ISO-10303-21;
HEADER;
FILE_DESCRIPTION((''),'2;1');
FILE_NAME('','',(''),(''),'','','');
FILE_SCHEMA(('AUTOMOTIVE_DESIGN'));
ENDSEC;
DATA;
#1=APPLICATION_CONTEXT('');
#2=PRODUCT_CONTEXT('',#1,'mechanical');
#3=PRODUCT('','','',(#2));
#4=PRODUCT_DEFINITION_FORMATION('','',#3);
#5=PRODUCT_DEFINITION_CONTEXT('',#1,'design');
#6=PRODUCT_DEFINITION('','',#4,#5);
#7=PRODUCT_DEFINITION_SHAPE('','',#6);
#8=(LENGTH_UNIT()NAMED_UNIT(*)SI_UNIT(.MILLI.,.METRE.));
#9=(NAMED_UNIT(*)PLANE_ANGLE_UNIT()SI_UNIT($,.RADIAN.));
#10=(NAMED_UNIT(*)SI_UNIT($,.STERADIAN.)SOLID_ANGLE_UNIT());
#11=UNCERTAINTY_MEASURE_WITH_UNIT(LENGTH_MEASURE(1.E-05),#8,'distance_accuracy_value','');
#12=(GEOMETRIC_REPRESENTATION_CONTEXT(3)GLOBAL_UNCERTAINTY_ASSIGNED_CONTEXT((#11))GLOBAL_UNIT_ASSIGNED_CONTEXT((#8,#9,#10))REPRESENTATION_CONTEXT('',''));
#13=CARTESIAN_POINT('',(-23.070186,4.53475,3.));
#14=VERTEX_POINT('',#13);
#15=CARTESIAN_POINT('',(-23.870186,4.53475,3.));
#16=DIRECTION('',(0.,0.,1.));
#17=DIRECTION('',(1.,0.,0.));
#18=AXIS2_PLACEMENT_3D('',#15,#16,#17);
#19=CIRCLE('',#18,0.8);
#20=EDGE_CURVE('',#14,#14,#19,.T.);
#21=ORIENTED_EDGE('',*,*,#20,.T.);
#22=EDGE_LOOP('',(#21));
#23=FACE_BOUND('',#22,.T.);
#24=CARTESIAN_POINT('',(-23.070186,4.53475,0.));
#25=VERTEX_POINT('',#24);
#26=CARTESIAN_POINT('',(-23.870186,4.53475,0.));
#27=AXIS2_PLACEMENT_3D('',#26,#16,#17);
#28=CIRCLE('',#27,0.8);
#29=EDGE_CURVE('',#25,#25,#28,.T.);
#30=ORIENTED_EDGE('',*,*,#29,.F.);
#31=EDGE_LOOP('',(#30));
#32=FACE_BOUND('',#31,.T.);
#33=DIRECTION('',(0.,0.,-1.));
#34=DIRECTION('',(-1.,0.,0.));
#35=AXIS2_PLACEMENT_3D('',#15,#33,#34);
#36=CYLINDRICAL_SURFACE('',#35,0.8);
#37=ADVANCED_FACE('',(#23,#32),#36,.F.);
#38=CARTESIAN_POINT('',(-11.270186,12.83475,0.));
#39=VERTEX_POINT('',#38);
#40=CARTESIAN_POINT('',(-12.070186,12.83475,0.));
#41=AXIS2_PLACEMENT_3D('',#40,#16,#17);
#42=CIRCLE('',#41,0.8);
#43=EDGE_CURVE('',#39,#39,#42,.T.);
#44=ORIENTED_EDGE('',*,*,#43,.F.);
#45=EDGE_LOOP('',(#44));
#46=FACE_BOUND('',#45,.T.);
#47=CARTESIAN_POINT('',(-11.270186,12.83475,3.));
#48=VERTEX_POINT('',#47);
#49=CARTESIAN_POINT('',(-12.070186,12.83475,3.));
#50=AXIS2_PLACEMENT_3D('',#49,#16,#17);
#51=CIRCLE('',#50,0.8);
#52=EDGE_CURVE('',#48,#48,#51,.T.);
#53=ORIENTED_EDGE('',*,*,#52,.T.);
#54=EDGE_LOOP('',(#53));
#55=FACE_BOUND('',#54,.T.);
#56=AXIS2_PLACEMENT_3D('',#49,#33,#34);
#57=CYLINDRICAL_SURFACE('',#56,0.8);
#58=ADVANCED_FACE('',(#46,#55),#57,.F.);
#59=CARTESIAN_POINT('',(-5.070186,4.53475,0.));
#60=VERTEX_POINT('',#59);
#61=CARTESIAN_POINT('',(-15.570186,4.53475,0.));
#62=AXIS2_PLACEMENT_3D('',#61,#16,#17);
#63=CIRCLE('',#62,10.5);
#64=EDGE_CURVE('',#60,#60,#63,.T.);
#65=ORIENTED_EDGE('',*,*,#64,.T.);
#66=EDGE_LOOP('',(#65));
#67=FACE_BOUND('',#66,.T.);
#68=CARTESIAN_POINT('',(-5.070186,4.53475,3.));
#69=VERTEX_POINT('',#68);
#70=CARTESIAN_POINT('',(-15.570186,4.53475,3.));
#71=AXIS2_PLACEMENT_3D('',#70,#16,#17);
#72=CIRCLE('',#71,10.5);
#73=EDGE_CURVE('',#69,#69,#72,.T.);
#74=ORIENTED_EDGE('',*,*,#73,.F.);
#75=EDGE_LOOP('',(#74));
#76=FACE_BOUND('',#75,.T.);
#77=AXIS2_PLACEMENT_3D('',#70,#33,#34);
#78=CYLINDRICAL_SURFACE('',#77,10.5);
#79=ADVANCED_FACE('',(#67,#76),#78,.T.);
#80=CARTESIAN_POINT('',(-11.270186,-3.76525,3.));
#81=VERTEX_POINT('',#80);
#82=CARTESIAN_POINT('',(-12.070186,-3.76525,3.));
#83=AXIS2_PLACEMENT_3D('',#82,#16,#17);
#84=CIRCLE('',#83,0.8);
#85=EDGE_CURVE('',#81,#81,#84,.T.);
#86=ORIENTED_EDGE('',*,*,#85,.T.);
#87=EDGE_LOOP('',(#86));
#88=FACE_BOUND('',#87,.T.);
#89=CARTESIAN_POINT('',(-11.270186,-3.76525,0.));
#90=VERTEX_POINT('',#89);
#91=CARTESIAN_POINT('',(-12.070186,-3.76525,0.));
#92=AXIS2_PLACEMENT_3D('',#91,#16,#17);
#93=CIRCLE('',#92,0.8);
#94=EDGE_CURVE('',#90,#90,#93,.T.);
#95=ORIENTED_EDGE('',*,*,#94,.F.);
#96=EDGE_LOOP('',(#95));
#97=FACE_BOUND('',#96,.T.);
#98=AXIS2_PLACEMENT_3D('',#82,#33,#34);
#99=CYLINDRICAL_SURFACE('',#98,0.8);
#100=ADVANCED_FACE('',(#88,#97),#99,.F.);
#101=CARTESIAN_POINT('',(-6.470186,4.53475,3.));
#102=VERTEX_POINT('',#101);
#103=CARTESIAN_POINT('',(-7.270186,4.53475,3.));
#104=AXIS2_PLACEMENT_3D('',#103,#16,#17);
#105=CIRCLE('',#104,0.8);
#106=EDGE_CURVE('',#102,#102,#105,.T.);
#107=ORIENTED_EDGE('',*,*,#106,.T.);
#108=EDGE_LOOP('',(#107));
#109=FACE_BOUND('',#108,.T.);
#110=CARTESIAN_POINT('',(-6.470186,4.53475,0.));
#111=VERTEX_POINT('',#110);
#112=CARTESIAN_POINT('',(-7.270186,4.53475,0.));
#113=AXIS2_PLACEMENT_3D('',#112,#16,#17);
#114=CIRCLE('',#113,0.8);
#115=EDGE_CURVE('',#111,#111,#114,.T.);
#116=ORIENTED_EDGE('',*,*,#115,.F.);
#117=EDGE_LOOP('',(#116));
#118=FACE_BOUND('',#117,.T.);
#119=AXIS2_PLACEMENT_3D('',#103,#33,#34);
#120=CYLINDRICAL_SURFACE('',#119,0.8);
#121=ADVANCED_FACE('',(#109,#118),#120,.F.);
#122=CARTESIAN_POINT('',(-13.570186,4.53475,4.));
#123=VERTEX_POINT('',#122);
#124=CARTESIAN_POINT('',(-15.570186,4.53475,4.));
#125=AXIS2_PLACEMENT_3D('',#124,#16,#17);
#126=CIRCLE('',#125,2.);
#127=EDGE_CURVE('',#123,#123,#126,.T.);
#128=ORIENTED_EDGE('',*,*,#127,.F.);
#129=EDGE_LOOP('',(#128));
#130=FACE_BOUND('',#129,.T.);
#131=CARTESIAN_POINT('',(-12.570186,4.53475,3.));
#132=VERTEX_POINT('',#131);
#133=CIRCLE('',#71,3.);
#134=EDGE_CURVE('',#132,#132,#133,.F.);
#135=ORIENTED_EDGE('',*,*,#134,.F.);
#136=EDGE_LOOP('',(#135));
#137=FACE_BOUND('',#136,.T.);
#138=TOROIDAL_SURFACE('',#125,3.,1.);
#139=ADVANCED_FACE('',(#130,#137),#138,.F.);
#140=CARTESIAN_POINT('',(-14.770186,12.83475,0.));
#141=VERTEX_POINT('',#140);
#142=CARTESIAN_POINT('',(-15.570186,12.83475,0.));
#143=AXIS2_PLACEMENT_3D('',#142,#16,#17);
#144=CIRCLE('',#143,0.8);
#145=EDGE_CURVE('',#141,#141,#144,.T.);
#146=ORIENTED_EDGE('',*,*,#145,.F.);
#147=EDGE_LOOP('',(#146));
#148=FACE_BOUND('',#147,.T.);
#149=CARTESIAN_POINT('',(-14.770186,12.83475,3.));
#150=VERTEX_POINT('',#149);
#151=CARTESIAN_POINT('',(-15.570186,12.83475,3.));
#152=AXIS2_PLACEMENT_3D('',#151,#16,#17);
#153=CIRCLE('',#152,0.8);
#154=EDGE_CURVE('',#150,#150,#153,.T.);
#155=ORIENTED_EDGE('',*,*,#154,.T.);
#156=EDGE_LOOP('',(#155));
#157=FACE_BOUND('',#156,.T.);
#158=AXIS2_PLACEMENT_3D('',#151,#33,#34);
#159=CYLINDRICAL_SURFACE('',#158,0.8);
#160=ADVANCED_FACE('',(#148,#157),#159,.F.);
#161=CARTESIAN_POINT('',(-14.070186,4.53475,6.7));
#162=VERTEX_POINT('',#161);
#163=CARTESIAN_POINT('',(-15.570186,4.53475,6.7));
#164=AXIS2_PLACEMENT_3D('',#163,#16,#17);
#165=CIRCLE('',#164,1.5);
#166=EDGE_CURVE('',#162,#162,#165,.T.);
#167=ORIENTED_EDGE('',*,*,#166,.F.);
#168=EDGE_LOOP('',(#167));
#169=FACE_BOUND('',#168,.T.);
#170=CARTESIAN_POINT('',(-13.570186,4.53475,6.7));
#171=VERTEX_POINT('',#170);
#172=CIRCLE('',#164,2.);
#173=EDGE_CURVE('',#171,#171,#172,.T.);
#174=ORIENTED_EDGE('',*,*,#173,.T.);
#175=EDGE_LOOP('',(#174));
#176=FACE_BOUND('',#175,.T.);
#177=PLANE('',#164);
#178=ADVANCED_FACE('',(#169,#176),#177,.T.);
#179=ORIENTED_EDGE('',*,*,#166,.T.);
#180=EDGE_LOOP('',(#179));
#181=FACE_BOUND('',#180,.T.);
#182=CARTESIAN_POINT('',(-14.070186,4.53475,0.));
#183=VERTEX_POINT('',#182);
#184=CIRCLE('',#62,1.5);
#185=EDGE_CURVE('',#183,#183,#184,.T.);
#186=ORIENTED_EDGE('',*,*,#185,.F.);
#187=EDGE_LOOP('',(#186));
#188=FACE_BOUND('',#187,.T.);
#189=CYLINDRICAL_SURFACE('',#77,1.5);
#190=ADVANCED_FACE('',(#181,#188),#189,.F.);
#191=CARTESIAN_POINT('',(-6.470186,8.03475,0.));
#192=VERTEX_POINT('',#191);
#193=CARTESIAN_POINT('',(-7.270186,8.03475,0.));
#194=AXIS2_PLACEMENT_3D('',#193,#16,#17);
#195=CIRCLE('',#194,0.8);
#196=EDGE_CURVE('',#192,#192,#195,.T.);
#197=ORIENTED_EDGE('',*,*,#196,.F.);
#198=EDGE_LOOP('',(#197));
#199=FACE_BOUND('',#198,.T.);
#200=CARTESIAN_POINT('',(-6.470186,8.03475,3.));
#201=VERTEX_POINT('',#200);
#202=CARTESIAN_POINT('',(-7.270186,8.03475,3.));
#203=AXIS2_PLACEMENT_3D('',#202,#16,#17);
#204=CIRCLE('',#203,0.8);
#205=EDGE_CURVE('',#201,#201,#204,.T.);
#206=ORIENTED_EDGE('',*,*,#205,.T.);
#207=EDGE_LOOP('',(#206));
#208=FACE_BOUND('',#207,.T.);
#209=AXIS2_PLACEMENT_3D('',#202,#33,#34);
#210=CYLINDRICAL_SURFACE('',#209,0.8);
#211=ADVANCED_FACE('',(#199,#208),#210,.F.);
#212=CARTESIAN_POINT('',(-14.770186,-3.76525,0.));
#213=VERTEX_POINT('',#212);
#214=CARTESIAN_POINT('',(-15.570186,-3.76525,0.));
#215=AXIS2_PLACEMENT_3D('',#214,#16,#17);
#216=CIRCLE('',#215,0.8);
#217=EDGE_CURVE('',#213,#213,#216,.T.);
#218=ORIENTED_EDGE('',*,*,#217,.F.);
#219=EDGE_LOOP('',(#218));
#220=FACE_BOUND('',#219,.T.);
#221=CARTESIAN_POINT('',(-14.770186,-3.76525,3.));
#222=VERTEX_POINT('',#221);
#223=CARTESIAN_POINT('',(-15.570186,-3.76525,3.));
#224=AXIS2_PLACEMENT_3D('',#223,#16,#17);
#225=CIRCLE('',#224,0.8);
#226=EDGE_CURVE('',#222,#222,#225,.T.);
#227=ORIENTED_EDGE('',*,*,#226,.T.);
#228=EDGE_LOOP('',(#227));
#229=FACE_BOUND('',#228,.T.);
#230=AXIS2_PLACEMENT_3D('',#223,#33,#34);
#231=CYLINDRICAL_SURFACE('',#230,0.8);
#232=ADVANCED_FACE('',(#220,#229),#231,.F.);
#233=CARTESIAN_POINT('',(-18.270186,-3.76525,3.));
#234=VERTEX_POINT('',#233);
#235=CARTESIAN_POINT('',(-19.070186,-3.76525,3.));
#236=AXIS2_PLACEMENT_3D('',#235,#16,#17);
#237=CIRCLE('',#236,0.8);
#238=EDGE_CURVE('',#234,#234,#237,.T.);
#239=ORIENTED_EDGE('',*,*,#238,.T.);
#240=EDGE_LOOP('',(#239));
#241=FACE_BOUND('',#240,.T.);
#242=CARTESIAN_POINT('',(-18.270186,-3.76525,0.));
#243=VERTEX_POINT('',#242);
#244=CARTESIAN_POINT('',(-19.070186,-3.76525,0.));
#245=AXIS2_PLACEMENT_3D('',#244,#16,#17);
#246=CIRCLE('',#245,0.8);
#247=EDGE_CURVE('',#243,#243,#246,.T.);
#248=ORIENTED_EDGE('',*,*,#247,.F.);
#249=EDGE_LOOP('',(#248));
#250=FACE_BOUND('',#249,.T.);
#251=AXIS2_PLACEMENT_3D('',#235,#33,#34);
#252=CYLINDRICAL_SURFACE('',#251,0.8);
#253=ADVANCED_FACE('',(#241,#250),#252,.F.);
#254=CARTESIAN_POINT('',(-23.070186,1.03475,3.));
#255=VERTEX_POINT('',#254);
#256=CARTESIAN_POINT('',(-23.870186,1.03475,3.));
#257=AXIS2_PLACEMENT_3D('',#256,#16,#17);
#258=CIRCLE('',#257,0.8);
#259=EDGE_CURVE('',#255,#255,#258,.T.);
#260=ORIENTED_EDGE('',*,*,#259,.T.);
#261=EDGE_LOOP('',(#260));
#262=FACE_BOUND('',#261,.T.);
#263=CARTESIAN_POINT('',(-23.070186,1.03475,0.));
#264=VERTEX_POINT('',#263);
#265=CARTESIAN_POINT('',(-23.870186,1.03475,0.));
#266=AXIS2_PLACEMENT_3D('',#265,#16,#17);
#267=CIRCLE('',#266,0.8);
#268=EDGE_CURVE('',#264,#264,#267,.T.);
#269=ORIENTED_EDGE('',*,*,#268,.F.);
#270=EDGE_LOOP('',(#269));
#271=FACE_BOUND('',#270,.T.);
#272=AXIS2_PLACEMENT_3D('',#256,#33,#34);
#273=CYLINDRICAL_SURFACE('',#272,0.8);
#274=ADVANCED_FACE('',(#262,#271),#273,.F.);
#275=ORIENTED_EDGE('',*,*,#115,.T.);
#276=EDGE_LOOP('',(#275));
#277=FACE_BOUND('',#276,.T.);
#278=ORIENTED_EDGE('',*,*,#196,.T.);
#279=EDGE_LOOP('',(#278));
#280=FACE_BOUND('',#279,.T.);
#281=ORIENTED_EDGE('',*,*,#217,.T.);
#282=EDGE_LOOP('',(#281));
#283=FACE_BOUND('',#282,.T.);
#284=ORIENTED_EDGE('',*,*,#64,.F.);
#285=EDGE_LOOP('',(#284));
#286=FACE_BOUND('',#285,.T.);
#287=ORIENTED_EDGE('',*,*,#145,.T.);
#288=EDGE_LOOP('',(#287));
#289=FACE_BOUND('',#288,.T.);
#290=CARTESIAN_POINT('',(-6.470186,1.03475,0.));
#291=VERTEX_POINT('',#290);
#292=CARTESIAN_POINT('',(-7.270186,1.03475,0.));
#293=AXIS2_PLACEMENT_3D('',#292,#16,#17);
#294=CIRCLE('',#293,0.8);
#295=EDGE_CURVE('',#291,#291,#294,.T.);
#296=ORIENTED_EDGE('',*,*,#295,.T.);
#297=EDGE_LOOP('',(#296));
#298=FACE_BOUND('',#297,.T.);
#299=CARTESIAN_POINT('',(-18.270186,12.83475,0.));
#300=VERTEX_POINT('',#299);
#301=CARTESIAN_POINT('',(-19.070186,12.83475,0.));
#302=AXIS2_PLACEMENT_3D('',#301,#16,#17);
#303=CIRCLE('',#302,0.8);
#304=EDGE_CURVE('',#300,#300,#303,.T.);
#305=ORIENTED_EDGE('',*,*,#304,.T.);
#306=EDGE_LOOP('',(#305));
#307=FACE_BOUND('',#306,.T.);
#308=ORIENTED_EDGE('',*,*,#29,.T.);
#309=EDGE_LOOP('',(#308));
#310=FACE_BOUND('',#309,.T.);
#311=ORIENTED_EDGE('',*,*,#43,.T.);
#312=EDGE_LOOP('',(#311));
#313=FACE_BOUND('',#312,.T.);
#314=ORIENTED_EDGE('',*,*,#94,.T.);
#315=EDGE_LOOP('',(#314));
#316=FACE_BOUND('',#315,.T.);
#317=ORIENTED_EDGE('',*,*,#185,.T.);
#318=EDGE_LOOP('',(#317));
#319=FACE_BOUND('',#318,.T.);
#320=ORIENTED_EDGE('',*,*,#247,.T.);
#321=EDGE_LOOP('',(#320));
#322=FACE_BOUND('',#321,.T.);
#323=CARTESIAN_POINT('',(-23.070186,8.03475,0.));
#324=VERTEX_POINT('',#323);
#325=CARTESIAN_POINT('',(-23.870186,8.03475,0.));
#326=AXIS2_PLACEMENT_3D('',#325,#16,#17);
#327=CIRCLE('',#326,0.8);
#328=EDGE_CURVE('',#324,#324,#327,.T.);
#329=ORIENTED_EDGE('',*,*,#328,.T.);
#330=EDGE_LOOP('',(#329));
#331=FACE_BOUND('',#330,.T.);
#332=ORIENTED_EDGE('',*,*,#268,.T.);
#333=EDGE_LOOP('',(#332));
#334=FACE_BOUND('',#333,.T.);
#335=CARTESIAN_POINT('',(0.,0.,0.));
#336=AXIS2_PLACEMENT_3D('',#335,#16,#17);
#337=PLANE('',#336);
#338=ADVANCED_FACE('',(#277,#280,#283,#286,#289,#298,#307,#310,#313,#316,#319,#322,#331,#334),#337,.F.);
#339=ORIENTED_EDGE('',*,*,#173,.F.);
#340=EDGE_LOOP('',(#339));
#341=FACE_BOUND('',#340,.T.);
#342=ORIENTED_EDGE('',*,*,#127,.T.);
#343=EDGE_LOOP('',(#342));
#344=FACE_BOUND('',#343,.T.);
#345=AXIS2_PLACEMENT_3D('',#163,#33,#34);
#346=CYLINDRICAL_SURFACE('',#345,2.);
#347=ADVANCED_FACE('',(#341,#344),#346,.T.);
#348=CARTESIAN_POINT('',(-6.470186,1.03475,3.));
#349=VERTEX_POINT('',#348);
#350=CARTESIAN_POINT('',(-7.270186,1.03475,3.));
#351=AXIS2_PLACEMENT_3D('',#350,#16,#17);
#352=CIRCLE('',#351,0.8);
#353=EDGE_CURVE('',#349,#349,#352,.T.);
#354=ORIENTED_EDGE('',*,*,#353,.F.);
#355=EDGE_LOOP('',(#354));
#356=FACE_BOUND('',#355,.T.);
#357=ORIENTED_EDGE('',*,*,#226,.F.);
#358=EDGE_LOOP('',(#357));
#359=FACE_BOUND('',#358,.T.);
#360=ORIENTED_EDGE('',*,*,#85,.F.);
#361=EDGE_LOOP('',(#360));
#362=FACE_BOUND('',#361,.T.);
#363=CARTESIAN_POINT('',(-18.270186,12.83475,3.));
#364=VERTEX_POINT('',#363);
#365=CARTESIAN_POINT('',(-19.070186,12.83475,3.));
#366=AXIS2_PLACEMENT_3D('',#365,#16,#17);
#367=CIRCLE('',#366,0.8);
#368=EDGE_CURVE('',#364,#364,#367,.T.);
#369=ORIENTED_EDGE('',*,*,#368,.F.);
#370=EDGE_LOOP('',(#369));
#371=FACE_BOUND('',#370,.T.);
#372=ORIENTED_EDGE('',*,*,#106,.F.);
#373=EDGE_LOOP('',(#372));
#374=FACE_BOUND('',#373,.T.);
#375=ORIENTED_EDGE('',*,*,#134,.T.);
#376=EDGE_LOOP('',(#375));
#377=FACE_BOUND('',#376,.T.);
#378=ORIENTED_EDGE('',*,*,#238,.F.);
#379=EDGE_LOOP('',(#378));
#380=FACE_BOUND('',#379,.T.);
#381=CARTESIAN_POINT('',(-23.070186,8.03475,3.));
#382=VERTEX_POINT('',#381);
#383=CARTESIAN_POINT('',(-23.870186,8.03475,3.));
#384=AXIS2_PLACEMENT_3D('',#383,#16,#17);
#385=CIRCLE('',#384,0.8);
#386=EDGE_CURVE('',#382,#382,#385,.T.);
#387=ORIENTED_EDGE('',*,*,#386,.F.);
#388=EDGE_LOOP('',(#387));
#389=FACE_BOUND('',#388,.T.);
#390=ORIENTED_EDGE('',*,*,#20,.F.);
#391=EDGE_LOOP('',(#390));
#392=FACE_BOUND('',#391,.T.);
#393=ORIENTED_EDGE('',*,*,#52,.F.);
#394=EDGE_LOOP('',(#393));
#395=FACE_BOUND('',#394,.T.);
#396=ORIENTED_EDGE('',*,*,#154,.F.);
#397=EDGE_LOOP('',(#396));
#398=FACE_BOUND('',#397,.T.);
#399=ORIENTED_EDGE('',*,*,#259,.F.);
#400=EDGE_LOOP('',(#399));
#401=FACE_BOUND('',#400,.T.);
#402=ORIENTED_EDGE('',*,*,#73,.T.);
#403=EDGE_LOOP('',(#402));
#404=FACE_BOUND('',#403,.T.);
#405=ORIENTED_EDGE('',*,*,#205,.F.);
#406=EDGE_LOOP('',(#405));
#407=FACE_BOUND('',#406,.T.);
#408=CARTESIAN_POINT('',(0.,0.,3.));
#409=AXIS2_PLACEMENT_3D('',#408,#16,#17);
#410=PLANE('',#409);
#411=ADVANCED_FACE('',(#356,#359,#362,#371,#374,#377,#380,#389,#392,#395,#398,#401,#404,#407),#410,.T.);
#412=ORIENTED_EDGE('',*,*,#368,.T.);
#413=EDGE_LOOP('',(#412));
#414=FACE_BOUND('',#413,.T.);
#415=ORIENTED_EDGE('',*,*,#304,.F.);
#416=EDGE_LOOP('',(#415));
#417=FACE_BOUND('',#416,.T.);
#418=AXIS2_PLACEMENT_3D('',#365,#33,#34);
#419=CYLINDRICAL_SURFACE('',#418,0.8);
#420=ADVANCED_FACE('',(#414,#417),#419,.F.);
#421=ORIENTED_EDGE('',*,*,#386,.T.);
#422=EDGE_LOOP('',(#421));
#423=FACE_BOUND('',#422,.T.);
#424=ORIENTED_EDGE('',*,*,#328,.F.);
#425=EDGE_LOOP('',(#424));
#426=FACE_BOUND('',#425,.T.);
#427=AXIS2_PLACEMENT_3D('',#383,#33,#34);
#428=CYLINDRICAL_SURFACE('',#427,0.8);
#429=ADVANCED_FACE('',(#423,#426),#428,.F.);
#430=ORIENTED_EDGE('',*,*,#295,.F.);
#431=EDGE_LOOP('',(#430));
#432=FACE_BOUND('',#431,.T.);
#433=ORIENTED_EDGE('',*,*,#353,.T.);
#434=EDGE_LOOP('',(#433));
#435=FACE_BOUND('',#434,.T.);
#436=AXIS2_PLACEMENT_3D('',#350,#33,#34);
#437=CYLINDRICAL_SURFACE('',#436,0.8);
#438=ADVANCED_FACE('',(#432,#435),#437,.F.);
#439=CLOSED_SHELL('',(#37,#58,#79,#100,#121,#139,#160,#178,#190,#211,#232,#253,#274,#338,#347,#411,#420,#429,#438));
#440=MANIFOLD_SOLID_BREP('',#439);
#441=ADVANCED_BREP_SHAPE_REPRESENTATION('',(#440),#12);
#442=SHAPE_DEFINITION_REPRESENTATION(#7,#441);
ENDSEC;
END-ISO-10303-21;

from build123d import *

# Parameters (mm, degrees)
ESQUISSE1_R        = 10.5
ESQUISSE1_R_2      = 0.8
ESQUISSE1_R_3      = 1.5
BOSS_EXTRU_1_DEPTH = 3
ESQUISSE3_R        = 2
ESQUISSE3_R_2      = 1.5
BOSS_EXTRU_2_DEPTH = 3.7
CONG_1_R           = 1


with BuildPart() as part:
    # Esquisse1 → Boss.-Extru.1 (new body)
    with BuildSketch(Plane.XY):
        with Locations((-15.570186162, 4.534749907)):
            Circle(ESQUISSE1_R)
        with Locations((-12.070186162, 12.834749907)):
            Circle(ESQUISSE1_R_2, mode=Mode.SUBTRACT)
        with Locations((-15.570186162, 4.534749907)):
            Circle(ESQUISSE1_R_3, mode=Mode.SUBTRACT)
        with Locations((-7.270186162, 4.534749907)):
            Circle(ESQUISSE1_R_2, mode=Mode.SUBTRACT)
        with Locations((-15.570186162, 12.834749907)):
            Circle(ESQUISSE1_R_2, mode=Mode.SUBTRACT)
        with Locations((-23.870186162, 4.534749907)):
            Circle(ESQUISSE1_R_2, mode=Mode.SUBTRACT)
        with Locations((-15.570186162, -3.765250093)):
            Circle(ESQUISSE1_R_2, mode=Mode.SUBTRACT)
        with Locations((-19.070186162, 12.834749907)):
            Circle(ESQUISSE1_R_2, mode=Mode.SUBTRACT)
        with Locations((-19.070186162, -3.765250093)):
            Circle(ESQUISSE1_R_2, mode=Mode.SUBTRACT)
        with Locations((-12.070186162, -3.765250093)):
            Circle(ESQUISSE1_R_2, mode=Mode.SUBTRACT)
        with Locations((-7.270186162, 8.034749907)):
            Circle(ESQUISSE1_R_2, mode=Mode.SUBTRACT)
        with Locations((-7.270186162, 1.034749907)):
            Circle(ESQUISSE1_R_2, mode=Mode.SUBTRACT)
        with Locations((-23.870186162, 1.034749907)):
            Circle(ESQUISSE1_R_2, mode=Mode.SUBTRACT)
        with Locations((-23.870186162, 8.034749907)):
            Circle(ESQUISSE1_R_2, mode=Mode.SUBTRACT)
    extrude(amount=BOSS_EXTRU_1_DEPTH)

    # Esquisse3 → Boss.-Extru.2 (add)
    with BuildSketch(Plane.XY.offset(3)):
        with Locations((-15.570186162, 4.534749907)):
            Circle(ESQUISSE3_R)
        with Locations((-15.570186162, 4.534749907)):
            Circle(ESQUISSE3_R_2, mode=Mode.SUBTRACT)
    extrude(amount=BOSS_EXTRU_2_DEPTH)

    # Congé1
    cong_1_edges = [part.edges().sort_by_distance(p)[0] for p in [
        (-17.570186162, 4.534749907, 3),
    ]]
    fillet(cong_1_edges, radius=CONG_1_R)


solid = part.part
